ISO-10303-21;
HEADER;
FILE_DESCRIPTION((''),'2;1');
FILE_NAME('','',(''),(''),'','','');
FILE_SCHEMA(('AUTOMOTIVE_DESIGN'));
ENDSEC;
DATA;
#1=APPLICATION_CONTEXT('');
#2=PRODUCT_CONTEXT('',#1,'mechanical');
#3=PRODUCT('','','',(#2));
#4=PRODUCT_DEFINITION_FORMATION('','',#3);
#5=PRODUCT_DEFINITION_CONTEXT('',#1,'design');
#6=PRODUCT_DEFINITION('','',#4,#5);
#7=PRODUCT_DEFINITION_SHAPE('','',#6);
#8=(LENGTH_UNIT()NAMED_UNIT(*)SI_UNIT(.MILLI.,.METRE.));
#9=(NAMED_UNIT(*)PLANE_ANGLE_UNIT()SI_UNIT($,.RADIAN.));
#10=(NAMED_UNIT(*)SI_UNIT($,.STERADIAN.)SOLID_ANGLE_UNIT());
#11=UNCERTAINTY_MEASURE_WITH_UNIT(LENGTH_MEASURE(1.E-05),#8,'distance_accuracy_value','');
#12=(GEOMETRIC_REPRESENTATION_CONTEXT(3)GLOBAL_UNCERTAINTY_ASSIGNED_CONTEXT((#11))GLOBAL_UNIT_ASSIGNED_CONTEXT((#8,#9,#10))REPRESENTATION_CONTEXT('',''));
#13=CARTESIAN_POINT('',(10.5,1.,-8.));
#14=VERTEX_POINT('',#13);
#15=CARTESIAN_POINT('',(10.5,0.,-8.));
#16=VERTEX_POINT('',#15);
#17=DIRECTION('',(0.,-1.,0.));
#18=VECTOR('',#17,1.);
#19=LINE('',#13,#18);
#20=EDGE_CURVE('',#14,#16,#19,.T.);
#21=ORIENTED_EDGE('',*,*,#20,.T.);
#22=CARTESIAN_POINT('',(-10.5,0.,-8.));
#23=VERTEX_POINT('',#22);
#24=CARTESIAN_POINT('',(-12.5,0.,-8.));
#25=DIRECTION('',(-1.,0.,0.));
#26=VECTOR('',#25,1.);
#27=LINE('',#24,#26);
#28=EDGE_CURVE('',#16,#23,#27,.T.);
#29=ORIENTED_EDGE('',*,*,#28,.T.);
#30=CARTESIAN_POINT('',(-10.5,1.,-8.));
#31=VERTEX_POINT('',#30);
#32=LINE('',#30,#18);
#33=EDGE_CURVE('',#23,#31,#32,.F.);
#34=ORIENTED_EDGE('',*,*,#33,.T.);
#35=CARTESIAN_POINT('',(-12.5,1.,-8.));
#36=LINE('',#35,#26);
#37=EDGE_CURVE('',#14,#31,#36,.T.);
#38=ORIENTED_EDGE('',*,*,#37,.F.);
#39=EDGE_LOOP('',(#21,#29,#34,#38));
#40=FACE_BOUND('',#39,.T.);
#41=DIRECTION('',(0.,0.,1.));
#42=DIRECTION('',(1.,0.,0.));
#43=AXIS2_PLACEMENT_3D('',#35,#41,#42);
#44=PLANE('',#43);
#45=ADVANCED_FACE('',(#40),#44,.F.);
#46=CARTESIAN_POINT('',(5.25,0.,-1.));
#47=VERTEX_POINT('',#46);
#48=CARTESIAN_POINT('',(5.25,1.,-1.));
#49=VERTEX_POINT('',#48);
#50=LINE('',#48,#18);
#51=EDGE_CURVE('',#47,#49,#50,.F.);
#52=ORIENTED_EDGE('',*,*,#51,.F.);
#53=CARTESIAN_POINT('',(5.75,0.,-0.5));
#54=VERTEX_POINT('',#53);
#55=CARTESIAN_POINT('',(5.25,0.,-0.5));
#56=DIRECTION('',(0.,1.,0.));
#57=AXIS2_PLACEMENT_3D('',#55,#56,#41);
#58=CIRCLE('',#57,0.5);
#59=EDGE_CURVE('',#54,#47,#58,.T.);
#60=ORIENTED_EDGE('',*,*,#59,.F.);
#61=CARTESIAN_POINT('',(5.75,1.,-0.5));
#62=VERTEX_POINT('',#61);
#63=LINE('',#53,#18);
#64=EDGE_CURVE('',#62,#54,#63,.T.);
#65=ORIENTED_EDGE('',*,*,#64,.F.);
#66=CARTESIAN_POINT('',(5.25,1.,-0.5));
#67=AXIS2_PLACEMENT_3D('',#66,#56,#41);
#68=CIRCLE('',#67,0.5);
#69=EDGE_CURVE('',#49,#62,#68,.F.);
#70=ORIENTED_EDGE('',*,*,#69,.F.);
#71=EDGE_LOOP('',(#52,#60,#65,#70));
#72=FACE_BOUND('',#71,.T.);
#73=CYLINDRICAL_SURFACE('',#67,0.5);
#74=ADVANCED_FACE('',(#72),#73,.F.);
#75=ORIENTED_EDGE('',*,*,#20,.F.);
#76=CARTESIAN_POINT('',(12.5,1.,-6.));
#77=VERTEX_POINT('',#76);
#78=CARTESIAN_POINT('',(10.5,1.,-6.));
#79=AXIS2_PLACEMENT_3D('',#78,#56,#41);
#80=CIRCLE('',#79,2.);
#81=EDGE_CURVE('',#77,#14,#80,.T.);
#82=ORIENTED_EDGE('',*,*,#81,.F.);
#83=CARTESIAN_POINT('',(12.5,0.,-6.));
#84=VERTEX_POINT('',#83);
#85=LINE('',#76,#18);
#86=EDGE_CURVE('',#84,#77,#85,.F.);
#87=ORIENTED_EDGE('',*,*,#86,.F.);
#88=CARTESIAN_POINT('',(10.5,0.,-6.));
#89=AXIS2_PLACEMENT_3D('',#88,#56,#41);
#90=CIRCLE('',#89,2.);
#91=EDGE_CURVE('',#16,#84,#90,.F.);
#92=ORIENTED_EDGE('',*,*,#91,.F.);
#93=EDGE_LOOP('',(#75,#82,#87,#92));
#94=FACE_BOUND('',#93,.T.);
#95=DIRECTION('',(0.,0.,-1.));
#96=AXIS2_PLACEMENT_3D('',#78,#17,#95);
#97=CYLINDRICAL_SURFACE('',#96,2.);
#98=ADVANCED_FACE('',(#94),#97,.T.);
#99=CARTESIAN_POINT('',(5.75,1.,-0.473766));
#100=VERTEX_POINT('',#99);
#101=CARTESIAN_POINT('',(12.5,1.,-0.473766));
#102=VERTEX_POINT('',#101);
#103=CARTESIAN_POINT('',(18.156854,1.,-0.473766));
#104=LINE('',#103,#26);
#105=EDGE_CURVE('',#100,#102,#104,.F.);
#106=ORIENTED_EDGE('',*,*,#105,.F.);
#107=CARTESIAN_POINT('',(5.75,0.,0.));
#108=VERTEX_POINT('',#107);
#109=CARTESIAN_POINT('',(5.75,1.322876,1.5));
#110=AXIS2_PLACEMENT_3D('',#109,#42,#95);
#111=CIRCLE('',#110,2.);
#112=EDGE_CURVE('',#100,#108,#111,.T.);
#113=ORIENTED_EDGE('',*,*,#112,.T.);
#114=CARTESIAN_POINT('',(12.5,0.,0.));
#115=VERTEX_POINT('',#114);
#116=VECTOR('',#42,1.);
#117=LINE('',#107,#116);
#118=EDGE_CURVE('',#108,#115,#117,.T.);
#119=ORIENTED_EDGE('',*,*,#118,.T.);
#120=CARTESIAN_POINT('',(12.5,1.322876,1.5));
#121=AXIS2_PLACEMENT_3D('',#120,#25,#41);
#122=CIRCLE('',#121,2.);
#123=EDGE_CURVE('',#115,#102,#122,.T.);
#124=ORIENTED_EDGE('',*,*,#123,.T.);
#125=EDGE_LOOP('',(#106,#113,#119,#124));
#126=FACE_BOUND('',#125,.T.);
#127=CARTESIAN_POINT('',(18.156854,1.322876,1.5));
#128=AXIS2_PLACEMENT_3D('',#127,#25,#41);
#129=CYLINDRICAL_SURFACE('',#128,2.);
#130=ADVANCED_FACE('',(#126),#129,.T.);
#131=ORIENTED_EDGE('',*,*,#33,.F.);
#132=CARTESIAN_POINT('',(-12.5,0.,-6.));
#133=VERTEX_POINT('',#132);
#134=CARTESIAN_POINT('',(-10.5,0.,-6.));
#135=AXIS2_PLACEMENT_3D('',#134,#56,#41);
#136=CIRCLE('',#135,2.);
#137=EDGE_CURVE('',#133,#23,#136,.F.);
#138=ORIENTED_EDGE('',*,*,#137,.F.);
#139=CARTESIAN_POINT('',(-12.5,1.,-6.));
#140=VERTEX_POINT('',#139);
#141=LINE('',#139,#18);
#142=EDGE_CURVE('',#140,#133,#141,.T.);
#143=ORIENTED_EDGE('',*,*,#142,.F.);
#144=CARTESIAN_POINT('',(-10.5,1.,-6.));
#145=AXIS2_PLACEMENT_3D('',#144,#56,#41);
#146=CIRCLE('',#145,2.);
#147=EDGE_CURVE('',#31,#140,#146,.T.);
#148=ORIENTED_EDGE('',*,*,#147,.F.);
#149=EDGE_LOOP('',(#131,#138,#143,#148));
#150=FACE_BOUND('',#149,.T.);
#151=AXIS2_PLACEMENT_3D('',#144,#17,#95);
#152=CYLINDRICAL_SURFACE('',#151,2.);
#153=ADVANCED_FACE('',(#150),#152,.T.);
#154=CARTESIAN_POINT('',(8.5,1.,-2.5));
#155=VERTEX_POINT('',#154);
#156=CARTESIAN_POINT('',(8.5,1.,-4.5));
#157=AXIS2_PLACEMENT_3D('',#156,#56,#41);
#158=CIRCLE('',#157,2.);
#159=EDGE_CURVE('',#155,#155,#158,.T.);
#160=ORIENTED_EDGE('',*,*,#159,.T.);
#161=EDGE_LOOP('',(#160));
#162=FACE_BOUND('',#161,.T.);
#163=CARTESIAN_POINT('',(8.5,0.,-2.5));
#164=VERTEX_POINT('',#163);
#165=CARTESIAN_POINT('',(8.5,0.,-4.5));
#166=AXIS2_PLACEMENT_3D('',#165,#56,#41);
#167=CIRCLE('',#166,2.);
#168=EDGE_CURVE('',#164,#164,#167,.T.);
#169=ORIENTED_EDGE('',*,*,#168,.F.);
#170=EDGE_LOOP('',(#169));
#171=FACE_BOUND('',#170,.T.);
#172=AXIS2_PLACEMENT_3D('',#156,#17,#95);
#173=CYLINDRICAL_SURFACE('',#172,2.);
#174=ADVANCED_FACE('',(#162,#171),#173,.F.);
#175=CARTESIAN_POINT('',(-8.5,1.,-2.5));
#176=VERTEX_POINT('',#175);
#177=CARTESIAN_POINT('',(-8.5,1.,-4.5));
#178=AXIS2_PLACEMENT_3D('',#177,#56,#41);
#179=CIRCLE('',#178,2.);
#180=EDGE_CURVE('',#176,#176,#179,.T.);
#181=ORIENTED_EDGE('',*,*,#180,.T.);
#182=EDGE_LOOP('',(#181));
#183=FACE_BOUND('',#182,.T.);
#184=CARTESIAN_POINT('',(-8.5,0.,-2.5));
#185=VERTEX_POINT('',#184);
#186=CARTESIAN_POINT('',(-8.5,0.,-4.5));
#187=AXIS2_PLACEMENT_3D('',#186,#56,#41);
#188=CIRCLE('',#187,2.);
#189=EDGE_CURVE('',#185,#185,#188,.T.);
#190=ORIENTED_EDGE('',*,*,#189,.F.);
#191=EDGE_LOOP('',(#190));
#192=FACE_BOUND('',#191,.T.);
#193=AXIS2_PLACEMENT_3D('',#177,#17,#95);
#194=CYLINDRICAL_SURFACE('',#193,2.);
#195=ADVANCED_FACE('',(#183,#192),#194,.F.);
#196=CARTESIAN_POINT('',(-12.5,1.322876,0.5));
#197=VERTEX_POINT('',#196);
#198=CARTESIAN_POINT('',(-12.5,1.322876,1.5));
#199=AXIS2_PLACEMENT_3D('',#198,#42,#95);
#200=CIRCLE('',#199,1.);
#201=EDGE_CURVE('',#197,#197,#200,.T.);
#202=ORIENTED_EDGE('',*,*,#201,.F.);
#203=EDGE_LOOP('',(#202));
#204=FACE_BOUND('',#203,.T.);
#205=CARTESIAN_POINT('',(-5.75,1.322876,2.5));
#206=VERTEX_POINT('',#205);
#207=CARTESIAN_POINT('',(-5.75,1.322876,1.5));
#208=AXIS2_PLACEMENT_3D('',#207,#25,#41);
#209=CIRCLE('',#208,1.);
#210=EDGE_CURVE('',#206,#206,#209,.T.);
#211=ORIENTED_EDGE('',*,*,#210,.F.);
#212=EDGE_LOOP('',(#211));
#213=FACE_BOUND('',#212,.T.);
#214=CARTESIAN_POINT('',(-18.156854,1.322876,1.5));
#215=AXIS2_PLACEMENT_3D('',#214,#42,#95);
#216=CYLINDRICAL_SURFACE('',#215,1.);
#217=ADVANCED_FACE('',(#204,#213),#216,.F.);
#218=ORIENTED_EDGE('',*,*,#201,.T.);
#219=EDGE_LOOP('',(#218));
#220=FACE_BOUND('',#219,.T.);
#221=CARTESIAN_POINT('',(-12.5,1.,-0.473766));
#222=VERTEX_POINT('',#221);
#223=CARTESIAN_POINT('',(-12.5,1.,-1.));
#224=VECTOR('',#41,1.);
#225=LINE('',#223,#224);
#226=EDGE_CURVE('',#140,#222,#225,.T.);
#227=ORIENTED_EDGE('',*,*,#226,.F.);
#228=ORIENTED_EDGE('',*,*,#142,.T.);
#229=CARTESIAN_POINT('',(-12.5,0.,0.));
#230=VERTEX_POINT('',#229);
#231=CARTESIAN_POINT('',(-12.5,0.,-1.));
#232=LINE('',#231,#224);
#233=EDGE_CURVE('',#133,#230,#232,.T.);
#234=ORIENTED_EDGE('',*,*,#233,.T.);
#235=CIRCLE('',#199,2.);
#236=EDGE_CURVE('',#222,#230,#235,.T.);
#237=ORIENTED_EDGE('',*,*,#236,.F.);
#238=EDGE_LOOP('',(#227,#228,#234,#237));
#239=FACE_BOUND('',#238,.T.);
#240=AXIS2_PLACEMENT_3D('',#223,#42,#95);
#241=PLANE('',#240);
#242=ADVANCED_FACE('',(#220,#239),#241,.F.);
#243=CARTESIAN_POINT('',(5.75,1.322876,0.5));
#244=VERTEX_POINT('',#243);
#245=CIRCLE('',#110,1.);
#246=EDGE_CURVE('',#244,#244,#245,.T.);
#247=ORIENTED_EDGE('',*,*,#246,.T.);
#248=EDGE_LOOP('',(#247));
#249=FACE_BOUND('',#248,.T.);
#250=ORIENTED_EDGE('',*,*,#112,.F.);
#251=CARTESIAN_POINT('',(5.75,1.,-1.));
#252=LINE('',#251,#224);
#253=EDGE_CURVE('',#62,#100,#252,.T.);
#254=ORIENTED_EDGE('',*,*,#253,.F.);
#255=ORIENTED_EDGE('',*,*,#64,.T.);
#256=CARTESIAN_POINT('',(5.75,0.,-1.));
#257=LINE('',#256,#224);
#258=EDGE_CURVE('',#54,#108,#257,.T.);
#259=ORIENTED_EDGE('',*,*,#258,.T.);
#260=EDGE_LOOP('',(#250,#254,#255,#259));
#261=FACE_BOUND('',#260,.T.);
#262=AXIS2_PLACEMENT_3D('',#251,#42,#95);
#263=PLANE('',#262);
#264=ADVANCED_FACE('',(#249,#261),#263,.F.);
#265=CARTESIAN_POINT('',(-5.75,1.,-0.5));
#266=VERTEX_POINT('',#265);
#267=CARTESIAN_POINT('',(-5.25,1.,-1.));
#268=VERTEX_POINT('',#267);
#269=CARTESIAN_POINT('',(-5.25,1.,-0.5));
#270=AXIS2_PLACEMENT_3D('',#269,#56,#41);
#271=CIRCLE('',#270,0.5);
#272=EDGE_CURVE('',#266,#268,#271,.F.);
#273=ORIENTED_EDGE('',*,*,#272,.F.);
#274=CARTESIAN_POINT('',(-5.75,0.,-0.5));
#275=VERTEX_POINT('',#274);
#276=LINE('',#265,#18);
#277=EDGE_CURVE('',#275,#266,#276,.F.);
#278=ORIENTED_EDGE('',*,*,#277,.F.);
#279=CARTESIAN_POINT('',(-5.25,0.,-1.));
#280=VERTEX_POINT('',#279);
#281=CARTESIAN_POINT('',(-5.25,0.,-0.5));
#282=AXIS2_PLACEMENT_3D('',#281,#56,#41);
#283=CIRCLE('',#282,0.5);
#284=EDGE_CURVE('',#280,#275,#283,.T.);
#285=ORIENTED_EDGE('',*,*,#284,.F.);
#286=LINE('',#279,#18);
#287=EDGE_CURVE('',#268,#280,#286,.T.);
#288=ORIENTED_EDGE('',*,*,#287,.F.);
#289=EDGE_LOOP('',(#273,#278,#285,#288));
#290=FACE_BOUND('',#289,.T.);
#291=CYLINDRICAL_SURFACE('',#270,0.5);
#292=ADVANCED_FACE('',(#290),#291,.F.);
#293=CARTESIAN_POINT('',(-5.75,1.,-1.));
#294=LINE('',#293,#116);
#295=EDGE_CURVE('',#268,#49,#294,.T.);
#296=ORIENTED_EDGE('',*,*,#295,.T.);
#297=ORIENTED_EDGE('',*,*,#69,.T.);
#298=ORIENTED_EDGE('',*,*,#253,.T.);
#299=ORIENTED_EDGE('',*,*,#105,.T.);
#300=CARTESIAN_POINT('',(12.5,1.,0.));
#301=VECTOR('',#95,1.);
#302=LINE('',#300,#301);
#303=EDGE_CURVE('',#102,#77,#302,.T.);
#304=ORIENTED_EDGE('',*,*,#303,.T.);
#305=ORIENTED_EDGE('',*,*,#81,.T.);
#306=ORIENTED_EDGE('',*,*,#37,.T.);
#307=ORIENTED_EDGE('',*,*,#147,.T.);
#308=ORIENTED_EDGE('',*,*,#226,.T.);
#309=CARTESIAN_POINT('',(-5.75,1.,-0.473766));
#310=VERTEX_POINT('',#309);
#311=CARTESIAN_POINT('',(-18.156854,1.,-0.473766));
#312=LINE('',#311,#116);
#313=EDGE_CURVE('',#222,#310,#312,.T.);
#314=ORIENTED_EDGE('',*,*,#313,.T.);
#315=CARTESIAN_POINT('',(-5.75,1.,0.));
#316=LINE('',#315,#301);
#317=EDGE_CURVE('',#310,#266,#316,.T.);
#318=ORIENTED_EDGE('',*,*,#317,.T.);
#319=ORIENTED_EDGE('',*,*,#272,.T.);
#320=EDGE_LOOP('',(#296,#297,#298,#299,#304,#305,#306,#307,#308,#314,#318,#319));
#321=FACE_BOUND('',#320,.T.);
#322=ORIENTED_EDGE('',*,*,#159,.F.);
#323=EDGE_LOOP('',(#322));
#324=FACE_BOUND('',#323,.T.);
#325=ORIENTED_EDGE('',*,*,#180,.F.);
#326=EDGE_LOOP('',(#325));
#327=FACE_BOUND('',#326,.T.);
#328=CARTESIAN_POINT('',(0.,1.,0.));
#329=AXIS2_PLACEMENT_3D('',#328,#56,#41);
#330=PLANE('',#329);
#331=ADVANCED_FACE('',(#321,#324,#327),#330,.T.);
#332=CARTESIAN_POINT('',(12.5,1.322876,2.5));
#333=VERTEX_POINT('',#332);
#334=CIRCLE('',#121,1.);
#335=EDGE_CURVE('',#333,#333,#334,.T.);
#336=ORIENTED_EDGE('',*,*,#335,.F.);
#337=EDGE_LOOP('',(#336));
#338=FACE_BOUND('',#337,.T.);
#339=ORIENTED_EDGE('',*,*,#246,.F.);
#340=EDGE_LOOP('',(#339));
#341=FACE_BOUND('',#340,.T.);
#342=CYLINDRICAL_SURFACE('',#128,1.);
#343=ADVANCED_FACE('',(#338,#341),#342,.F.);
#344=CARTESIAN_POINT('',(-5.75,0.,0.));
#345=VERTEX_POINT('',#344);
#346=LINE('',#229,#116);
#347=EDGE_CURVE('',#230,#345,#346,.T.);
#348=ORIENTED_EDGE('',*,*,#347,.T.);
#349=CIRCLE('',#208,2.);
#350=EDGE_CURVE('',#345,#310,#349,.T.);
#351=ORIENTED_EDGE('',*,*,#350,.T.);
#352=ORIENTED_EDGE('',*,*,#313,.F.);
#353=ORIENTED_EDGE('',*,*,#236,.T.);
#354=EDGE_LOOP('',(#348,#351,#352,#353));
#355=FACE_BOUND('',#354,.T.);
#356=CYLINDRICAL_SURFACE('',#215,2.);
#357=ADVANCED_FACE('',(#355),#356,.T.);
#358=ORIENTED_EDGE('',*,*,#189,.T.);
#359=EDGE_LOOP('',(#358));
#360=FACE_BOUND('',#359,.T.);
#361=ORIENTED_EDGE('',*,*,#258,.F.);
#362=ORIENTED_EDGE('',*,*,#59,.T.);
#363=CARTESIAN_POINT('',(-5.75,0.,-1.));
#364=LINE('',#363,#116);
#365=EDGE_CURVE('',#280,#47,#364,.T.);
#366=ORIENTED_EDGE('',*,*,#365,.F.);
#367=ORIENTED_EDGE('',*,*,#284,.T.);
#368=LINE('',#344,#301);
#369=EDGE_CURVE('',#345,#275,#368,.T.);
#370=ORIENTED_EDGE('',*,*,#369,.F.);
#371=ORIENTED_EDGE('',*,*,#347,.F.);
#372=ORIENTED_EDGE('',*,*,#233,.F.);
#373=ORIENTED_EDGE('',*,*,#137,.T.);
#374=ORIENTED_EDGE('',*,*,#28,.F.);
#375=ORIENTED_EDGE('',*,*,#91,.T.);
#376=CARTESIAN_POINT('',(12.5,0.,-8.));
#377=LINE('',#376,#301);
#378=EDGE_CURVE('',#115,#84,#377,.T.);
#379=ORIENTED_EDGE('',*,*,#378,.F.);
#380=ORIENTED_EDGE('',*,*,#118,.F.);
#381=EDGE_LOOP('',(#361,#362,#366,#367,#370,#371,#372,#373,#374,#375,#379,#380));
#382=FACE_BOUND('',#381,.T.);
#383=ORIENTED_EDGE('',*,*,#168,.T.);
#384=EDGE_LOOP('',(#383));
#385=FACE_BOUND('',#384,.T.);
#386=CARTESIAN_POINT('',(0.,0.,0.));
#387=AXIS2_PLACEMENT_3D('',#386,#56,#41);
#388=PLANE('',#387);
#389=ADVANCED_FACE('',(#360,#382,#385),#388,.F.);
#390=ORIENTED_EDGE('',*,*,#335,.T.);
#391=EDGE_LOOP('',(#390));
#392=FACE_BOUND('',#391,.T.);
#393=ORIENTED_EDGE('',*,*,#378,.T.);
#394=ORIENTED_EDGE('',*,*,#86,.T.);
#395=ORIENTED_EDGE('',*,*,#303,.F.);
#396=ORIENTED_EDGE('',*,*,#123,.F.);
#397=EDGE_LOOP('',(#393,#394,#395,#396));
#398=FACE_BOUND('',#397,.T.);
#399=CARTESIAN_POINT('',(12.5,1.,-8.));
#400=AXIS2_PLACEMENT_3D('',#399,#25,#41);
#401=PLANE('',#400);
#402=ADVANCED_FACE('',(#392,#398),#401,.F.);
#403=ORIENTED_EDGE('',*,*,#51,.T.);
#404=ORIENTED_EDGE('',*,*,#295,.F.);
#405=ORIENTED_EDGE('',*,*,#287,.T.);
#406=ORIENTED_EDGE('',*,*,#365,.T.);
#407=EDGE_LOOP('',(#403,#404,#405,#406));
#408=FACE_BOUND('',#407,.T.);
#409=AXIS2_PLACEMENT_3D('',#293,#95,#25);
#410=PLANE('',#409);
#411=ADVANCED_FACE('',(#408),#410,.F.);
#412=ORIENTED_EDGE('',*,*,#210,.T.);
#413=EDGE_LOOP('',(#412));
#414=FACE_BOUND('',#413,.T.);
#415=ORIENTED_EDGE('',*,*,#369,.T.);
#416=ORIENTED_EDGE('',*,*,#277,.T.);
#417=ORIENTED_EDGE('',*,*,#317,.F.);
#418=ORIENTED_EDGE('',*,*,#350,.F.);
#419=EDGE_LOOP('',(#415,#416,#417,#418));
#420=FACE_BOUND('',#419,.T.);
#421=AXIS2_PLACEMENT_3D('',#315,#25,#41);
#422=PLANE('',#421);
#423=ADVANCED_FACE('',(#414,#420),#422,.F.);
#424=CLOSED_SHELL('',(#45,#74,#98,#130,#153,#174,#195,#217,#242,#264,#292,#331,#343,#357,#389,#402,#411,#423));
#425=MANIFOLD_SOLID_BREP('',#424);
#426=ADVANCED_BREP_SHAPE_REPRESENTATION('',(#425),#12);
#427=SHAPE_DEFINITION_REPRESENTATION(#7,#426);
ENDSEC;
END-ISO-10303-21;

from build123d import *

# Parameters (mm, degrees)
SKETCH_1_R      = 2
EXTRUDE_1_DEPTH = 1
FILLET_1_R      = 2
FILLET_2_R      = 0.5
EXTRUDE_START   = -5.75
SKETCH_2_R      = 2
SKETCH_2_R_2    = 1
EXTRUDE_2_DEPTH = 6.75
EXTRUDE_START_2 = 12.5
SKETCH_2_3_R    = 2
SKETCH_2_3_R_2  = 1
EXTRUDE_3_DEPTH = 6.75


with BuildPart() as part:
    # 草图1 → 凸台-拉伸1 (new body)
    with BuildSketch(Plane(origin=(0, 0, 0), x_dir=(1, 0, 0), z_dir=(0, 1, 0))):
        Polygon((-5.75, 0), (-5.75, 1), (5.75, 1), (5.75, 0), (12.5, 0), (12.5, 1), (12.5, 8), (-12.5, 8), (-12.5, 1), (-12.5, 0), align=None)
        with Locations(Location((-8.5, 4.5, 0), (0, 0, 270))):
            Circle(SKETCH_1_R, mode=Mode.SUBTRACT)
        with Locations(Location((8.5, 4.5, 0), (0, 0, 270))):
            Circle(SKETCH_1_R, mode=Mode.SUBTRACT)
    extrude(amount=EXTRUDE_1_DEPTH)

    # 圆角1
    fillet_1_edges = [part.edges().sort_by_distance(p)[0] for p in [
        (-12.5, 0.5, -8),
        (12.5, 0.5, -8),
    ]]
    fillet(fillet_1_edges, radius=FILLET_1_R)

    # 圆角2
    fillet_2_edges = [part.edges().sort_by_distance(p)[0] for p in [
        (5.75, 0.5, -1),
        (-5.75, 0.5, -1),
    ]]
    fillet(fillet_2_edges, radius=FILLET_2_R)

    # 草图2 → 凸台-拉伸2 (add)
    with BuildSketch(Plane(origin=(0, 0, 0), x_dir=(0, 0, -1), z_dir=(1, 0, 0)).offset(EXTRUDE_START)):
        with Locations((-1.5, 1.322875656)):
            Circle(SKETCH_2_R)
        with Locations((-1.5, 1.322875656)):
            Circle(SKETCH_2_R_2, mode=Mode.SUBTRACT)
    extrude(amount=-EXTRUDE_2_DEPTH)

    # 草图2<3> → 凸台-拉伸3 (add)
    with BuildSketch(Plane(origin=(0, 0, 0), x_dir=(0, 0, -1), z_dir=(1, 0, 0)).offset(EXTRUDE_START_2)):
        with Locations((-1.5, 1.322875656)):
            Circle(SKETCH_2_3_R)
        with Locations((-1.5, 1.322875656)):
            Circle(SKETCH_2_3_R_2, mode=Mode.SUBTRACT)
    extrude(amount=-EXTRUDE_3_DEPTH)


solid = part.part
